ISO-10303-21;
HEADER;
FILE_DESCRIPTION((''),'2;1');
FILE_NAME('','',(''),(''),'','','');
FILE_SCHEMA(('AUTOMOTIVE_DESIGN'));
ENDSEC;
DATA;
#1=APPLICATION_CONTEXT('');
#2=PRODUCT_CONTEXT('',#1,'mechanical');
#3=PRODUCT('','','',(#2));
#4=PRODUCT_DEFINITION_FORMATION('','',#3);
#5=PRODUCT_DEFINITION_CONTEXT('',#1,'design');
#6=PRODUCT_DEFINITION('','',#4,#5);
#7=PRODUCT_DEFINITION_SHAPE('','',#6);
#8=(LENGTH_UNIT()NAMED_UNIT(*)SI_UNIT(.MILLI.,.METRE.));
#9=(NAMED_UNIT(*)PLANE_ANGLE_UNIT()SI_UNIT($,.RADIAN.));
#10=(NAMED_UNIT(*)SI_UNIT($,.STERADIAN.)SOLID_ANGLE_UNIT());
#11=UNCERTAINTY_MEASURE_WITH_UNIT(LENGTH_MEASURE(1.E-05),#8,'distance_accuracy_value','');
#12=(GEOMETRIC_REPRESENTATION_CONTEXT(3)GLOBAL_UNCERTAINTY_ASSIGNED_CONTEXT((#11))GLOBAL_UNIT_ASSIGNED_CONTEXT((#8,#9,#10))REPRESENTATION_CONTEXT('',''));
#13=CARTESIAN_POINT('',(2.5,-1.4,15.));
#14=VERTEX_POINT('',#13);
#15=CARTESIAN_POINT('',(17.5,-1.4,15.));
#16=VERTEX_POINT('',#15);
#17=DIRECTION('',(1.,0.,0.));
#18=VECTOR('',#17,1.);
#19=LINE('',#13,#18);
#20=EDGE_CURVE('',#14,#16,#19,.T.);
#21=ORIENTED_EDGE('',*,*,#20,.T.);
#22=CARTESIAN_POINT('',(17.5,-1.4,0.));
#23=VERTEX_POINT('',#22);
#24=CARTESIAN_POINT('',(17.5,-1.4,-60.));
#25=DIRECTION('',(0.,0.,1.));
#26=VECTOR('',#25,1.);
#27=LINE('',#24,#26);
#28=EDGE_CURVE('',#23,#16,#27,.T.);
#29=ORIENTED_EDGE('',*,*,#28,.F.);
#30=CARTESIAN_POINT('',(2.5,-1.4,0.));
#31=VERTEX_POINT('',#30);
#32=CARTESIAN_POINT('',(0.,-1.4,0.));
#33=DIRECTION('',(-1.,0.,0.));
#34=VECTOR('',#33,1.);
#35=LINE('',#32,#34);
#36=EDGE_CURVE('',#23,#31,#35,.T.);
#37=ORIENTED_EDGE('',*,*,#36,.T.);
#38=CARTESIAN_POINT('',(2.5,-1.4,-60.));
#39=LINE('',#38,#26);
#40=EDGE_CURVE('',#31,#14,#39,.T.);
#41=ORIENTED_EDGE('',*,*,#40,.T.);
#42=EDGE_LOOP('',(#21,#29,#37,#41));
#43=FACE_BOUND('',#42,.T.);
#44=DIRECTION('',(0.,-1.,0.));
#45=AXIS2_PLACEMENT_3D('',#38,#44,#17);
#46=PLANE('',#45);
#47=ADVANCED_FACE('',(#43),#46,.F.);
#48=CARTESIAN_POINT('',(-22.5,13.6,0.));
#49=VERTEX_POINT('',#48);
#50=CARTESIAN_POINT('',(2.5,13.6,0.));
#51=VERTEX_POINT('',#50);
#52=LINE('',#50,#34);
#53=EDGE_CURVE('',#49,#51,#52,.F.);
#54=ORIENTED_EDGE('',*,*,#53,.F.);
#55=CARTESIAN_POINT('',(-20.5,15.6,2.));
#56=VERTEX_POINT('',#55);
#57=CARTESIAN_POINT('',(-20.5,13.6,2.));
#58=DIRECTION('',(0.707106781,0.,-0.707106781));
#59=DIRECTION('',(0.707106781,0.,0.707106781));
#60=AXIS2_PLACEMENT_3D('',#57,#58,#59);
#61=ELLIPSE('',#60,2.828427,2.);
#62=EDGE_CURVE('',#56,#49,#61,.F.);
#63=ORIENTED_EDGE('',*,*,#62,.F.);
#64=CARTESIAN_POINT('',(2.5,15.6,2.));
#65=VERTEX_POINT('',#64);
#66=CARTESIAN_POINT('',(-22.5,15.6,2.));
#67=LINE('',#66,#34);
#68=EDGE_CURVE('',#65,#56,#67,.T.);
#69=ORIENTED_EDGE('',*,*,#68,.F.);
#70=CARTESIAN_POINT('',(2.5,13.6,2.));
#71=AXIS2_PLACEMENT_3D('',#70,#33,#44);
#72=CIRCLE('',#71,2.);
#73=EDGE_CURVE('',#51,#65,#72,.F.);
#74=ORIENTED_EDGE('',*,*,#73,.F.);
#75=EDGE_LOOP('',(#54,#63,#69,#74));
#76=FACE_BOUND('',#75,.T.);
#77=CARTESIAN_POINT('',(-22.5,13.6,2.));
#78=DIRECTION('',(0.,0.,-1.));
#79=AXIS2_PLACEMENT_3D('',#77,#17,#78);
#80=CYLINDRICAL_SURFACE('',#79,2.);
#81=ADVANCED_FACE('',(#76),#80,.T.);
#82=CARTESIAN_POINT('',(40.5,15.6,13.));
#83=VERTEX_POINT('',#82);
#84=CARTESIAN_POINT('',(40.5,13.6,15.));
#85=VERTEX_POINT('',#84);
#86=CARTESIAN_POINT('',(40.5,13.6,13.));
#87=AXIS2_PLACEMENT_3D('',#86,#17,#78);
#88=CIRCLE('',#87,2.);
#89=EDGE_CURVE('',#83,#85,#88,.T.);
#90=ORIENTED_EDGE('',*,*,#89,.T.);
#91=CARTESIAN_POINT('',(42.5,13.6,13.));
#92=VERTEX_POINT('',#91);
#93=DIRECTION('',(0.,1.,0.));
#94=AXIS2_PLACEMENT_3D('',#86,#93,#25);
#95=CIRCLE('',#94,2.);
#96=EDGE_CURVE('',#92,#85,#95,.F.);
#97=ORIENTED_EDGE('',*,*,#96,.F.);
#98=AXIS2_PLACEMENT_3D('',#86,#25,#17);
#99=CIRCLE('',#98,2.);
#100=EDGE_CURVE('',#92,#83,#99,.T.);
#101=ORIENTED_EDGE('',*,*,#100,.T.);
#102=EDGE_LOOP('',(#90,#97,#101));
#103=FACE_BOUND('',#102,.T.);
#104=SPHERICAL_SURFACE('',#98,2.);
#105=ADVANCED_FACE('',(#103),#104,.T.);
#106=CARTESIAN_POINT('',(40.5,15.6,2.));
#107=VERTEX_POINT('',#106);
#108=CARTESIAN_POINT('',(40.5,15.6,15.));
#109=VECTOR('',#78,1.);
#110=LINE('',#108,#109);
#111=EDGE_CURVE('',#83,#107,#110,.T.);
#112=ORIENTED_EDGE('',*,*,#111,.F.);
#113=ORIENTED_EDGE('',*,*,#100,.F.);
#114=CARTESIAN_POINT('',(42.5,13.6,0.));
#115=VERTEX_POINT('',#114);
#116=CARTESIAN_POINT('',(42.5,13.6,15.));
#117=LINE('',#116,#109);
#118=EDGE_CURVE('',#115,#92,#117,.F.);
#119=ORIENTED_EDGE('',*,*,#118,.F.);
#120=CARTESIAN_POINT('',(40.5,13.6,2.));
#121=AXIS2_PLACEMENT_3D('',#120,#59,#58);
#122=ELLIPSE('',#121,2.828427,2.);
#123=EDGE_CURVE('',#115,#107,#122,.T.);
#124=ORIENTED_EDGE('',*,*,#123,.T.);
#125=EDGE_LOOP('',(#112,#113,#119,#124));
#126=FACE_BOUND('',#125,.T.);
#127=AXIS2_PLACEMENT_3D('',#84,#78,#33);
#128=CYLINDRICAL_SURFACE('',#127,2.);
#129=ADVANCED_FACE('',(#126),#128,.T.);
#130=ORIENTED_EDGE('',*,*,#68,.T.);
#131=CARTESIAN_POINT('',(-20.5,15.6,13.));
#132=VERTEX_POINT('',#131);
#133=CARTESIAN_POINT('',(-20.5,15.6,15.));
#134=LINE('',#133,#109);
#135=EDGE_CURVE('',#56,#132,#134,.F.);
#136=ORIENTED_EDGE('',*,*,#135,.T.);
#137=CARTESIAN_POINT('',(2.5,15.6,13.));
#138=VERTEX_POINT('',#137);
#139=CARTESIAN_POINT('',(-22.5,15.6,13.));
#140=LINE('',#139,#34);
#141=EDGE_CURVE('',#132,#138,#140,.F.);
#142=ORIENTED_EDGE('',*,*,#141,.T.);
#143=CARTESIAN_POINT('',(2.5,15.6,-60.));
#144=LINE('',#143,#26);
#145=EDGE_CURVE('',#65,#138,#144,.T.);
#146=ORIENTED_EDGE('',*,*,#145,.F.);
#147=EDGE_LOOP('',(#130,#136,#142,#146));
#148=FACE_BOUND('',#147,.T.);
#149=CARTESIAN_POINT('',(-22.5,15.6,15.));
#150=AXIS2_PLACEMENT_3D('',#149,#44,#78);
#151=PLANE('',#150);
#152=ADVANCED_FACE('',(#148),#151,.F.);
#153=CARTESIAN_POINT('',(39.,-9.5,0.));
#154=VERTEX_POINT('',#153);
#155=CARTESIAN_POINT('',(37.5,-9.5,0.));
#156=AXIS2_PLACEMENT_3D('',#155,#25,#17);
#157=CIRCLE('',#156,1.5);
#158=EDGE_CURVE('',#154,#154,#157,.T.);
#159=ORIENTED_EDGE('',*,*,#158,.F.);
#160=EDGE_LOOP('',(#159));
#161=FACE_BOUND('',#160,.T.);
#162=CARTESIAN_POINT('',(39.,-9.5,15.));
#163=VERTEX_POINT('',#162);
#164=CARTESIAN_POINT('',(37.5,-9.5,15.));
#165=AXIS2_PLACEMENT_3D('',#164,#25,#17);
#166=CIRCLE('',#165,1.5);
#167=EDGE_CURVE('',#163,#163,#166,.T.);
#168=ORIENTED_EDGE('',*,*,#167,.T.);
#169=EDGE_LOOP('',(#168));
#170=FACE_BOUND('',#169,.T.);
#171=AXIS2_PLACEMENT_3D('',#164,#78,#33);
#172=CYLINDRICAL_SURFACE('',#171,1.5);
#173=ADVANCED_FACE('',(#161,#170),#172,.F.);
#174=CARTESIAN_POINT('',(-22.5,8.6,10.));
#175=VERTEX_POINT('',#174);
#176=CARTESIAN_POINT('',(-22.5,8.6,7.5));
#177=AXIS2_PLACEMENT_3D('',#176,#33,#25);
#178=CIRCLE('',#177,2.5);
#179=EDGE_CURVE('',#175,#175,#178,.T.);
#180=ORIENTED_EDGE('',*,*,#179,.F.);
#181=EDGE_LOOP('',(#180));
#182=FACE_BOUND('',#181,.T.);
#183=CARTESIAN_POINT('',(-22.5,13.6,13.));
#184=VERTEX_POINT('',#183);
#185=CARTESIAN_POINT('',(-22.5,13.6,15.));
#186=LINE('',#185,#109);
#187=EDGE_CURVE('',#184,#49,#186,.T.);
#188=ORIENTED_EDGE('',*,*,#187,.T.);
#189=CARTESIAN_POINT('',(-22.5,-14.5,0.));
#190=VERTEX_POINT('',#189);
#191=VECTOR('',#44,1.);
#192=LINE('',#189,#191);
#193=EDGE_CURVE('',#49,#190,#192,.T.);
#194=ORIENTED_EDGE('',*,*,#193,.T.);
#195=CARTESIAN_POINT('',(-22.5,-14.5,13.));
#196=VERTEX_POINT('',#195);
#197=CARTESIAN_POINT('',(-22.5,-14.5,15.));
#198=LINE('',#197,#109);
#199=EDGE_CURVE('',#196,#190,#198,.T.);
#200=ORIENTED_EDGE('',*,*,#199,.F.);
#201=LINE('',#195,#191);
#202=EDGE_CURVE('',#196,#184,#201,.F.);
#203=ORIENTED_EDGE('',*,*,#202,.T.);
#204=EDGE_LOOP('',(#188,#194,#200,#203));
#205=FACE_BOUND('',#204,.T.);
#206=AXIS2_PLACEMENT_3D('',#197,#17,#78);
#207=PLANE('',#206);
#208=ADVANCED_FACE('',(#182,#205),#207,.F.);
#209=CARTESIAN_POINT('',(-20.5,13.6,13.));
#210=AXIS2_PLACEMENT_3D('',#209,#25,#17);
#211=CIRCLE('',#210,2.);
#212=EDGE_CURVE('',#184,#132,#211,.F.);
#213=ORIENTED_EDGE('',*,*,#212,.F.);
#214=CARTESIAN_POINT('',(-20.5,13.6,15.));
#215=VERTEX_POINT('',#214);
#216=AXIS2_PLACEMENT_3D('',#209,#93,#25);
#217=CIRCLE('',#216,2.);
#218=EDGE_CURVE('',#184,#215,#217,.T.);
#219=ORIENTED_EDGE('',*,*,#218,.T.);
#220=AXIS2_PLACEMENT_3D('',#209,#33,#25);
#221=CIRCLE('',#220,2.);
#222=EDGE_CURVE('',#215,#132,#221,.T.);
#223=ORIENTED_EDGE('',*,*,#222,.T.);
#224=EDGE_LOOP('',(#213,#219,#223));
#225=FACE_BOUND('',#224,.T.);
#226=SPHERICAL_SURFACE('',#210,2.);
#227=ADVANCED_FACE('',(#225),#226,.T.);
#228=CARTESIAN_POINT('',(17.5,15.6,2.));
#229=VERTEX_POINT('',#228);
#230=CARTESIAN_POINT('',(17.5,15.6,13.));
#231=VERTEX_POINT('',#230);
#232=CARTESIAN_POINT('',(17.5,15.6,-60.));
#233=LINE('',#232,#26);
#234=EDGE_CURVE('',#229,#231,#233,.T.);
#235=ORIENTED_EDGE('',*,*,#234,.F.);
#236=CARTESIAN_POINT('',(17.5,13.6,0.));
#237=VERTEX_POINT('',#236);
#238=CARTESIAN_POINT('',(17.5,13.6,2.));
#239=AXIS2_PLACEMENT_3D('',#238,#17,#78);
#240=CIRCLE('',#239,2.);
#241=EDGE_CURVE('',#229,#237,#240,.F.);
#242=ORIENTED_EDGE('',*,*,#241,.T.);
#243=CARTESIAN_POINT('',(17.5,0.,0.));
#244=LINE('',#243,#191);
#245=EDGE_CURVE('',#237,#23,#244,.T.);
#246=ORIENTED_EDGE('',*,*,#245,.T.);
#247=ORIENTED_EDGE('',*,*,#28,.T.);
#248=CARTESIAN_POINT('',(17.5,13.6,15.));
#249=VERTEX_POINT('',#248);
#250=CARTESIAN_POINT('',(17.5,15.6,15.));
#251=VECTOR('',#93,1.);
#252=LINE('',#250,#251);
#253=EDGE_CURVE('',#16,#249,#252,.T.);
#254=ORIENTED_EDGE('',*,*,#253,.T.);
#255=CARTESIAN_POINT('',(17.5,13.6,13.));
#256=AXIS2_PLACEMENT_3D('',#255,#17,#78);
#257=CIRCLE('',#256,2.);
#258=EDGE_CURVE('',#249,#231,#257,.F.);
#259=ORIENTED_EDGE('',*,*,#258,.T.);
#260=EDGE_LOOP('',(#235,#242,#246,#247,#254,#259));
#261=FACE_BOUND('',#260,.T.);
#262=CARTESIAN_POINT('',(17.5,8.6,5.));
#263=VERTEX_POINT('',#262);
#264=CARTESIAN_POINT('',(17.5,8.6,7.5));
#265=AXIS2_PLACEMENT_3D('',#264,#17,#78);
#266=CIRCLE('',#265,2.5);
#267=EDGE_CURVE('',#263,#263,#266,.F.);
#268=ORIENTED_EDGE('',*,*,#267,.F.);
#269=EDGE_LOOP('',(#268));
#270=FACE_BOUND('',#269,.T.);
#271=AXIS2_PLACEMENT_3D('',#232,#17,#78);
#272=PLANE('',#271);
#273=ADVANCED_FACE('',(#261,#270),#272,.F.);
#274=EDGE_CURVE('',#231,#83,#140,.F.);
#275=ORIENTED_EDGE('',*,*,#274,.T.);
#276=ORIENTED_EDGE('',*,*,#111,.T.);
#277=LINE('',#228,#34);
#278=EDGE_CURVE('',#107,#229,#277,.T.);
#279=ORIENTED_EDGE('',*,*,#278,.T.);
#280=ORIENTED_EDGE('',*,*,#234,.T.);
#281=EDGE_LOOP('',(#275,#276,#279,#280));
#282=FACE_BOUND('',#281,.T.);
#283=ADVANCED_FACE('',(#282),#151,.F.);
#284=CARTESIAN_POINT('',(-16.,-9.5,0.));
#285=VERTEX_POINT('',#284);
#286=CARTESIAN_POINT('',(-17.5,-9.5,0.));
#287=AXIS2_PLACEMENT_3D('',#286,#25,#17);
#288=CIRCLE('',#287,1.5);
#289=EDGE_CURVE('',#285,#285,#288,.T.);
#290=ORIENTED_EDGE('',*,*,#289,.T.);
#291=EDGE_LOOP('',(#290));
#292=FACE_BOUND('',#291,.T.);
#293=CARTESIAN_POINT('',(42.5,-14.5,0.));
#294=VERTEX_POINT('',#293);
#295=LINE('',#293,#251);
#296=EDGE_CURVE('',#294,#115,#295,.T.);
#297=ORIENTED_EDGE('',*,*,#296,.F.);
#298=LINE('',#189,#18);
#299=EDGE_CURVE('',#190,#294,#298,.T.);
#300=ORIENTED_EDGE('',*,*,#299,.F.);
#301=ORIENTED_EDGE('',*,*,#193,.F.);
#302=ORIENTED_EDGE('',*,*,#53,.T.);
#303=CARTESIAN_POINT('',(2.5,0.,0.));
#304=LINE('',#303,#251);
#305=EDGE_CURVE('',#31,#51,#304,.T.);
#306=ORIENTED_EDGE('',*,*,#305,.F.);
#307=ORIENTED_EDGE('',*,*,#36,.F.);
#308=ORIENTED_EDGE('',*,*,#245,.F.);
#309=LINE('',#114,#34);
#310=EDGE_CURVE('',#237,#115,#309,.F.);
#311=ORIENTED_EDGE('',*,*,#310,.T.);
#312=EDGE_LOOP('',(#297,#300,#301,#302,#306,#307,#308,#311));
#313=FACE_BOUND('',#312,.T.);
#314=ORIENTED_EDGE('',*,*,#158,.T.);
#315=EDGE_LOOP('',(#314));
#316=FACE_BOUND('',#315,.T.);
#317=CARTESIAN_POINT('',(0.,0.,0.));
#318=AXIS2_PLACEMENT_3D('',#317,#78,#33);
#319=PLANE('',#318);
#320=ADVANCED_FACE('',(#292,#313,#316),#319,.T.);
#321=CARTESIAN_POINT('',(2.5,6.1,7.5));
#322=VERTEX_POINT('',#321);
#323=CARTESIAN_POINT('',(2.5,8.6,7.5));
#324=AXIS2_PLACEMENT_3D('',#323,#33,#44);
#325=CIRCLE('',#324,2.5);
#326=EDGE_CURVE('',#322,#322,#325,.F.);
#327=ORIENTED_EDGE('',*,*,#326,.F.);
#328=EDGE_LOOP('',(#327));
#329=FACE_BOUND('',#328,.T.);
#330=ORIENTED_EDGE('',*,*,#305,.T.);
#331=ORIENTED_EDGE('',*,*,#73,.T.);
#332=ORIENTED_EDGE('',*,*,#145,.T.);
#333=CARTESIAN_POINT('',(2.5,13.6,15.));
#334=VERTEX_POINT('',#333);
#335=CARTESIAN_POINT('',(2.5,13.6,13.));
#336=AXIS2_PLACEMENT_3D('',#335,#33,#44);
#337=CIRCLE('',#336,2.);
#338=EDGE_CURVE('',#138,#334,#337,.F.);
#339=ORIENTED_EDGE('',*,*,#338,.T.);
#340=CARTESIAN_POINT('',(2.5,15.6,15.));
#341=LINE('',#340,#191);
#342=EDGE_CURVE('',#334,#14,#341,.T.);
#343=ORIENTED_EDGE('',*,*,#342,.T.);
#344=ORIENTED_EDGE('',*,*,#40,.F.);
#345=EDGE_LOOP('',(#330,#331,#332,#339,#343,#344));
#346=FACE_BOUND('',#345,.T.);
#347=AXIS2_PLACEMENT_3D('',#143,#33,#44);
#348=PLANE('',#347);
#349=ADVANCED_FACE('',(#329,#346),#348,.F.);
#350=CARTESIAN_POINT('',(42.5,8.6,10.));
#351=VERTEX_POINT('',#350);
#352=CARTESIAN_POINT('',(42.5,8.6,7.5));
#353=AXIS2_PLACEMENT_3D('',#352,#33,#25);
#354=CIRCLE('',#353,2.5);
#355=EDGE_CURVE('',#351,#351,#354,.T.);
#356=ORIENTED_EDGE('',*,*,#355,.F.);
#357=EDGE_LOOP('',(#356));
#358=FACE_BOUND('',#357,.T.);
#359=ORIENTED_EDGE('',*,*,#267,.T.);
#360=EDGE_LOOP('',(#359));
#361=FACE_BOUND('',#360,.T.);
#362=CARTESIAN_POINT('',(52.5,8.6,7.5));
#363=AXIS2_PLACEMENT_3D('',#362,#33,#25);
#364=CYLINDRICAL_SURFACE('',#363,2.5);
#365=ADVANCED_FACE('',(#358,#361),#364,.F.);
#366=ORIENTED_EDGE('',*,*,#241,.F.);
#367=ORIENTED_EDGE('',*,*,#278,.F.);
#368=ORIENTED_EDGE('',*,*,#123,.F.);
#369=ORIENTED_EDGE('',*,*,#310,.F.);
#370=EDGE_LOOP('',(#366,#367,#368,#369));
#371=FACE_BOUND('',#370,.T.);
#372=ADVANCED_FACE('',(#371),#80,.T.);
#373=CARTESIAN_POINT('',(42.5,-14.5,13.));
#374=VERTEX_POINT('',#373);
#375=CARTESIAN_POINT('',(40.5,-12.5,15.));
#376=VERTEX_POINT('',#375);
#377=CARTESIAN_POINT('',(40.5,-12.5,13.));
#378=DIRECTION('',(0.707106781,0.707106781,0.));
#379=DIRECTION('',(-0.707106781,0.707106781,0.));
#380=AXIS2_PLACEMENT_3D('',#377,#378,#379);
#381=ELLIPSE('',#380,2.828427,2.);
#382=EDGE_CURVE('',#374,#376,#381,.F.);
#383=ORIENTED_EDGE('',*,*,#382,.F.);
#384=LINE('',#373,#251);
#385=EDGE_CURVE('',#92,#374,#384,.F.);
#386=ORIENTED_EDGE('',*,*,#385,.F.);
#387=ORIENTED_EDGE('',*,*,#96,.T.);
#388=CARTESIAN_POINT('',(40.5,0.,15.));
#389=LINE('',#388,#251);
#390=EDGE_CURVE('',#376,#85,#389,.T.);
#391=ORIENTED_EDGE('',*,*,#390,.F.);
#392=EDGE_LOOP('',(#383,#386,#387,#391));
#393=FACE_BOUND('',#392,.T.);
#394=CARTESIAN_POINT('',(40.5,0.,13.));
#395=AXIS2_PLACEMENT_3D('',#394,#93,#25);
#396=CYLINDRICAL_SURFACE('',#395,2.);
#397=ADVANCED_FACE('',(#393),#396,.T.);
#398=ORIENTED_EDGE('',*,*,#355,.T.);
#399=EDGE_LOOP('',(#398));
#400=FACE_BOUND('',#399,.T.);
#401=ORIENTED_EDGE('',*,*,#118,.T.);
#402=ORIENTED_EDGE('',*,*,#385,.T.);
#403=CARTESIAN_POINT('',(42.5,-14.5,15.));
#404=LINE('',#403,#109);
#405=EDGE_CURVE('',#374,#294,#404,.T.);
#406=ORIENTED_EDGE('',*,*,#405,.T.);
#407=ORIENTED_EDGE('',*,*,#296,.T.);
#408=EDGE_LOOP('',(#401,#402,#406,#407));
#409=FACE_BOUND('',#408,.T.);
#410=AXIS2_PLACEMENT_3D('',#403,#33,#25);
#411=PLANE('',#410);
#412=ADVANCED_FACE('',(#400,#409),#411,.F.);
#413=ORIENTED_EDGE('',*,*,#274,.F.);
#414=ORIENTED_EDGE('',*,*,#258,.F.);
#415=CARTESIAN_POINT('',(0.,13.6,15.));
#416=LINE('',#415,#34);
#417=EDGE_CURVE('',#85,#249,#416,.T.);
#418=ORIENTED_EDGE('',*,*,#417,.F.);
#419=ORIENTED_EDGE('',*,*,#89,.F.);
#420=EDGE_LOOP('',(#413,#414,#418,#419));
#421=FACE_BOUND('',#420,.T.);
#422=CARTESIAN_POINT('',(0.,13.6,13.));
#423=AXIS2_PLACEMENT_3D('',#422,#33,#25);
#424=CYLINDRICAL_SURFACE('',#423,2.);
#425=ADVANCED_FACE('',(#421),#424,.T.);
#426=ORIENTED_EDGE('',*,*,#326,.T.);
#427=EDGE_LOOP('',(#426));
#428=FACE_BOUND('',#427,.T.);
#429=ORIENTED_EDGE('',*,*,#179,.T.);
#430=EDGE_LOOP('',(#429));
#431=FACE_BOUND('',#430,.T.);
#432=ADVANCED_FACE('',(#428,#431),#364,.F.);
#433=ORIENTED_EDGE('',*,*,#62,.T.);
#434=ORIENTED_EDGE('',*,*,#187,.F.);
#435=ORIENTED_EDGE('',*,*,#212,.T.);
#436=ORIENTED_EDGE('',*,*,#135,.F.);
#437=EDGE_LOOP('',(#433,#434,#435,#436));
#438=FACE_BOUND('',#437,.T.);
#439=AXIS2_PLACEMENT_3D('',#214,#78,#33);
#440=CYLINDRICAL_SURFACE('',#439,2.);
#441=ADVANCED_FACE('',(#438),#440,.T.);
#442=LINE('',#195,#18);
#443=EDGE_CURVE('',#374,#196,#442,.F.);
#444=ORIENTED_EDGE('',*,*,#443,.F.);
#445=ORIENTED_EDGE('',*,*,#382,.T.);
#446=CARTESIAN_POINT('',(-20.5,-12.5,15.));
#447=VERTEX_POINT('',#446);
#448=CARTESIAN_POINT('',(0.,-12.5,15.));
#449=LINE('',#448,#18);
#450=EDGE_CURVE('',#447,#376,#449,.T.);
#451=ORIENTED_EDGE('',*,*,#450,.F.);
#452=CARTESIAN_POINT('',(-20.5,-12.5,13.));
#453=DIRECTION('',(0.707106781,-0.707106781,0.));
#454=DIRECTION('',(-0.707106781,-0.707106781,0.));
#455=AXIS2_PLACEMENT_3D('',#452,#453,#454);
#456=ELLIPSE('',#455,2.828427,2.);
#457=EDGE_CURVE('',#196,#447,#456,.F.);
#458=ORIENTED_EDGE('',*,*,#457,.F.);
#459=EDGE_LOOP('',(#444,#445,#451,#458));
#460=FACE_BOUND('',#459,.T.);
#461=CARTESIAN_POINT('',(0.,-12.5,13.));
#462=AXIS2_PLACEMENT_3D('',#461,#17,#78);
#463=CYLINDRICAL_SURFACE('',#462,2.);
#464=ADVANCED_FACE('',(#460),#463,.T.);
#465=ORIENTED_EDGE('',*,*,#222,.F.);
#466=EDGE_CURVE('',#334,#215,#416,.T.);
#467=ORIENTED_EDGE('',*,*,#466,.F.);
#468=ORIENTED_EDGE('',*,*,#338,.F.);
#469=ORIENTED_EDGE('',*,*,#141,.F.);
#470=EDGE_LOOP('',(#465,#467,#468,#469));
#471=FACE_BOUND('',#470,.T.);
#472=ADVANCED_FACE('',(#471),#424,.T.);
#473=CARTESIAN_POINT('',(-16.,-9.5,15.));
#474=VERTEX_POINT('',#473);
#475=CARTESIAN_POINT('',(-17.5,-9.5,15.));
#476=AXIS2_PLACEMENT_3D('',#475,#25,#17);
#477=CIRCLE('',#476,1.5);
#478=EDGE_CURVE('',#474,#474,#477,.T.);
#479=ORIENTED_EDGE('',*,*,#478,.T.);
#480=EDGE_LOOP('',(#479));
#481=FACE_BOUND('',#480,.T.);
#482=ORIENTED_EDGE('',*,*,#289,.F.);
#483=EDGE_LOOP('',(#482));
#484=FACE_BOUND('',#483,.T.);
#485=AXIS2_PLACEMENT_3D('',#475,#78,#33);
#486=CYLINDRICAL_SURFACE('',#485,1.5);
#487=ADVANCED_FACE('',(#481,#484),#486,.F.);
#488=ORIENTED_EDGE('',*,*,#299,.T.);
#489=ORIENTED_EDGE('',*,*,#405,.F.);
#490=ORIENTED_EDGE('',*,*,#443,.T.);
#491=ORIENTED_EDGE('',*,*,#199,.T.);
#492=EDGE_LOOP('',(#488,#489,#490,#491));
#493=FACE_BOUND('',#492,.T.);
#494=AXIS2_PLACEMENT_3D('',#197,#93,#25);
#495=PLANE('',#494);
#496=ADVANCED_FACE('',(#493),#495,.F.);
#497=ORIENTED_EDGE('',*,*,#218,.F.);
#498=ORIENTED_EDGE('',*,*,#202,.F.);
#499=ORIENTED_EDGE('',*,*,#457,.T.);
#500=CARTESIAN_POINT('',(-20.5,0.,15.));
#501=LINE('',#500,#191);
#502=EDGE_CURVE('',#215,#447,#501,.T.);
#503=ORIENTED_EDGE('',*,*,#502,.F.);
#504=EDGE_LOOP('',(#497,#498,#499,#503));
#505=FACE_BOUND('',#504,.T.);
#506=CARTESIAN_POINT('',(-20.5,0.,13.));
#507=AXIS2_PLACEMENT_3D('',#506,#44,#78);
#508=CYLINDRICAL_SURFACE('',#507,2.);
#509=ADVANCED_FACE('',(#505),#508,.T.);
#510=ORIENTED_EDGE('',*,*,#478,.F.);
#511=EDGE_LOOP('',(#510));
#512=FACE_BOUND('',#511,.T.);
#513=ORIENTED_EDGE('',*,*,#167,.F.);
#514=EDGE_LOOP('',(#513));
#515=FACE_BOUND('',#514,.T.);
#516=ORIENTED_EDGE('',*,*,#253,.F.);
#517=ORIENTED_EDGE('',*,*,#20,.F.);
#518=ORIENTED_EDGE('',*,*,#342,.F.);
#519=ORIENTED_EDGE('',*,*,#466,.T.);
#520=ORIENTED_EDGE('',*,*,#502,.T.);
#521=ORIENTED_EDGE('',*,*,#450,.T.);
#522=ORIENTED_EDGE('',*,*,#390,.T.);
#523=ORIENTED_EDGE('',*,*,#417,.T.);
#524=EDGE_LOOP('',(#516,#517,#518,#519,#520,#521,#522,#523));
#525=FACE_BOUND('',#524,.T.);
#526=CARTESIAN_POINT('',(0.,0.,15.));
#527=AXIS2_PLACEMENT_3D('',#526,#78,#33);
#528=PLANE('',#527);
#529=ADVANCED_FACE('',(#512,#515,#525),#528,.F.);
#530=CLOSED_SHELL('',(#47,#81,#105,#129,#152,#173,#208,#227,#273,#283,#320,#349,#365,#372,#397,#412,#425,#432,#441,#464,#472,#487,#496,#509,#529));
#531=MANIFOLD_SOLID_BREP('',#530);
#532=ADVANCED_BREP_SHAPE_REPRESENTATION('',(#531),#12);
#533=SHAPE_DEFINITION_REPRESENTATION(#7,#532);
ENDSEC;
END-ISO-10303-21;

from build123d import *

# Parameters (mm, degrees)
SKETCH1_W           = 65
SKETCH1_H           = 30.1
SKETCH1_R           = 1.5
BOSS_EXTRUDE1_DEPTH = 15
SKETCH2_R           = 2.5
CUT_EXTRUDE1_DEPTH  = 75
SKETCH3_W           = 15
SKETCH3_H           = 17
CUT_EXTRUDE2_DEPTH  = 75
FILLET2_R           = 2


with BuildPart() as part:
    # Sketch1 → Boss-Extrude1 (new body)
    with BuildSketch(Plane.XY):
        with Locations((10, 0.55)):
            Rectangle(SKETCH1_W, SKETCH1_H)
        with Locations((-17.5, -9.5)):
            Circle(SKETCH1_R, mode=Mode.SUBTRACT)
        with Locations((37.5, -9.5)):
            Circle(SKETCH1_R, mode=Mode.SUBTRACT)
    extrude(amount=BOSS_EXTRUDE1_DEPTH)

    # Sketch2 → Cut-Extrude1 (cut)
    with BuildSketch(Plane.ZY.offset(22.5)):
        with Locations((7.5, 8.6)):
            Circle(SKETCH2_R)
    extrude(amount=-CUT_EXTRUDE1_DEPTH, mode=Mode.SUBTRACT)

    # Sketch3 → Cut-Extrude2 (cut)
    with BuildSketch(Plane.XY.offset(15)):
        with Locations((10, 7.1)):
            Rectangle(SKETCH3_W, SKETCH3_H)
    extrude(amount=-CUT_EXTRUDE2_DEPTH, mode=Mode.SUBTRACT)

    # Fillet2
    fillet2_edges = [part.edges().sort_by_distance(p)[0] for p in [
        (42.5, 0.55, 15),
        (30, 15.6, 15),
        (-10, 15.6, 0),
        (-10, 15.6, 15),
        (-22.5, 0.55, 15),
        (30, 15.6, 0),
        (-22.5, 15.6, 7.5),
        (42.5, 15.6, 7.5),
        (10, -14.5, 15),
    ]]
    fillet(fillet2_edges, radius=FILLET2_R)


solid = part.part
